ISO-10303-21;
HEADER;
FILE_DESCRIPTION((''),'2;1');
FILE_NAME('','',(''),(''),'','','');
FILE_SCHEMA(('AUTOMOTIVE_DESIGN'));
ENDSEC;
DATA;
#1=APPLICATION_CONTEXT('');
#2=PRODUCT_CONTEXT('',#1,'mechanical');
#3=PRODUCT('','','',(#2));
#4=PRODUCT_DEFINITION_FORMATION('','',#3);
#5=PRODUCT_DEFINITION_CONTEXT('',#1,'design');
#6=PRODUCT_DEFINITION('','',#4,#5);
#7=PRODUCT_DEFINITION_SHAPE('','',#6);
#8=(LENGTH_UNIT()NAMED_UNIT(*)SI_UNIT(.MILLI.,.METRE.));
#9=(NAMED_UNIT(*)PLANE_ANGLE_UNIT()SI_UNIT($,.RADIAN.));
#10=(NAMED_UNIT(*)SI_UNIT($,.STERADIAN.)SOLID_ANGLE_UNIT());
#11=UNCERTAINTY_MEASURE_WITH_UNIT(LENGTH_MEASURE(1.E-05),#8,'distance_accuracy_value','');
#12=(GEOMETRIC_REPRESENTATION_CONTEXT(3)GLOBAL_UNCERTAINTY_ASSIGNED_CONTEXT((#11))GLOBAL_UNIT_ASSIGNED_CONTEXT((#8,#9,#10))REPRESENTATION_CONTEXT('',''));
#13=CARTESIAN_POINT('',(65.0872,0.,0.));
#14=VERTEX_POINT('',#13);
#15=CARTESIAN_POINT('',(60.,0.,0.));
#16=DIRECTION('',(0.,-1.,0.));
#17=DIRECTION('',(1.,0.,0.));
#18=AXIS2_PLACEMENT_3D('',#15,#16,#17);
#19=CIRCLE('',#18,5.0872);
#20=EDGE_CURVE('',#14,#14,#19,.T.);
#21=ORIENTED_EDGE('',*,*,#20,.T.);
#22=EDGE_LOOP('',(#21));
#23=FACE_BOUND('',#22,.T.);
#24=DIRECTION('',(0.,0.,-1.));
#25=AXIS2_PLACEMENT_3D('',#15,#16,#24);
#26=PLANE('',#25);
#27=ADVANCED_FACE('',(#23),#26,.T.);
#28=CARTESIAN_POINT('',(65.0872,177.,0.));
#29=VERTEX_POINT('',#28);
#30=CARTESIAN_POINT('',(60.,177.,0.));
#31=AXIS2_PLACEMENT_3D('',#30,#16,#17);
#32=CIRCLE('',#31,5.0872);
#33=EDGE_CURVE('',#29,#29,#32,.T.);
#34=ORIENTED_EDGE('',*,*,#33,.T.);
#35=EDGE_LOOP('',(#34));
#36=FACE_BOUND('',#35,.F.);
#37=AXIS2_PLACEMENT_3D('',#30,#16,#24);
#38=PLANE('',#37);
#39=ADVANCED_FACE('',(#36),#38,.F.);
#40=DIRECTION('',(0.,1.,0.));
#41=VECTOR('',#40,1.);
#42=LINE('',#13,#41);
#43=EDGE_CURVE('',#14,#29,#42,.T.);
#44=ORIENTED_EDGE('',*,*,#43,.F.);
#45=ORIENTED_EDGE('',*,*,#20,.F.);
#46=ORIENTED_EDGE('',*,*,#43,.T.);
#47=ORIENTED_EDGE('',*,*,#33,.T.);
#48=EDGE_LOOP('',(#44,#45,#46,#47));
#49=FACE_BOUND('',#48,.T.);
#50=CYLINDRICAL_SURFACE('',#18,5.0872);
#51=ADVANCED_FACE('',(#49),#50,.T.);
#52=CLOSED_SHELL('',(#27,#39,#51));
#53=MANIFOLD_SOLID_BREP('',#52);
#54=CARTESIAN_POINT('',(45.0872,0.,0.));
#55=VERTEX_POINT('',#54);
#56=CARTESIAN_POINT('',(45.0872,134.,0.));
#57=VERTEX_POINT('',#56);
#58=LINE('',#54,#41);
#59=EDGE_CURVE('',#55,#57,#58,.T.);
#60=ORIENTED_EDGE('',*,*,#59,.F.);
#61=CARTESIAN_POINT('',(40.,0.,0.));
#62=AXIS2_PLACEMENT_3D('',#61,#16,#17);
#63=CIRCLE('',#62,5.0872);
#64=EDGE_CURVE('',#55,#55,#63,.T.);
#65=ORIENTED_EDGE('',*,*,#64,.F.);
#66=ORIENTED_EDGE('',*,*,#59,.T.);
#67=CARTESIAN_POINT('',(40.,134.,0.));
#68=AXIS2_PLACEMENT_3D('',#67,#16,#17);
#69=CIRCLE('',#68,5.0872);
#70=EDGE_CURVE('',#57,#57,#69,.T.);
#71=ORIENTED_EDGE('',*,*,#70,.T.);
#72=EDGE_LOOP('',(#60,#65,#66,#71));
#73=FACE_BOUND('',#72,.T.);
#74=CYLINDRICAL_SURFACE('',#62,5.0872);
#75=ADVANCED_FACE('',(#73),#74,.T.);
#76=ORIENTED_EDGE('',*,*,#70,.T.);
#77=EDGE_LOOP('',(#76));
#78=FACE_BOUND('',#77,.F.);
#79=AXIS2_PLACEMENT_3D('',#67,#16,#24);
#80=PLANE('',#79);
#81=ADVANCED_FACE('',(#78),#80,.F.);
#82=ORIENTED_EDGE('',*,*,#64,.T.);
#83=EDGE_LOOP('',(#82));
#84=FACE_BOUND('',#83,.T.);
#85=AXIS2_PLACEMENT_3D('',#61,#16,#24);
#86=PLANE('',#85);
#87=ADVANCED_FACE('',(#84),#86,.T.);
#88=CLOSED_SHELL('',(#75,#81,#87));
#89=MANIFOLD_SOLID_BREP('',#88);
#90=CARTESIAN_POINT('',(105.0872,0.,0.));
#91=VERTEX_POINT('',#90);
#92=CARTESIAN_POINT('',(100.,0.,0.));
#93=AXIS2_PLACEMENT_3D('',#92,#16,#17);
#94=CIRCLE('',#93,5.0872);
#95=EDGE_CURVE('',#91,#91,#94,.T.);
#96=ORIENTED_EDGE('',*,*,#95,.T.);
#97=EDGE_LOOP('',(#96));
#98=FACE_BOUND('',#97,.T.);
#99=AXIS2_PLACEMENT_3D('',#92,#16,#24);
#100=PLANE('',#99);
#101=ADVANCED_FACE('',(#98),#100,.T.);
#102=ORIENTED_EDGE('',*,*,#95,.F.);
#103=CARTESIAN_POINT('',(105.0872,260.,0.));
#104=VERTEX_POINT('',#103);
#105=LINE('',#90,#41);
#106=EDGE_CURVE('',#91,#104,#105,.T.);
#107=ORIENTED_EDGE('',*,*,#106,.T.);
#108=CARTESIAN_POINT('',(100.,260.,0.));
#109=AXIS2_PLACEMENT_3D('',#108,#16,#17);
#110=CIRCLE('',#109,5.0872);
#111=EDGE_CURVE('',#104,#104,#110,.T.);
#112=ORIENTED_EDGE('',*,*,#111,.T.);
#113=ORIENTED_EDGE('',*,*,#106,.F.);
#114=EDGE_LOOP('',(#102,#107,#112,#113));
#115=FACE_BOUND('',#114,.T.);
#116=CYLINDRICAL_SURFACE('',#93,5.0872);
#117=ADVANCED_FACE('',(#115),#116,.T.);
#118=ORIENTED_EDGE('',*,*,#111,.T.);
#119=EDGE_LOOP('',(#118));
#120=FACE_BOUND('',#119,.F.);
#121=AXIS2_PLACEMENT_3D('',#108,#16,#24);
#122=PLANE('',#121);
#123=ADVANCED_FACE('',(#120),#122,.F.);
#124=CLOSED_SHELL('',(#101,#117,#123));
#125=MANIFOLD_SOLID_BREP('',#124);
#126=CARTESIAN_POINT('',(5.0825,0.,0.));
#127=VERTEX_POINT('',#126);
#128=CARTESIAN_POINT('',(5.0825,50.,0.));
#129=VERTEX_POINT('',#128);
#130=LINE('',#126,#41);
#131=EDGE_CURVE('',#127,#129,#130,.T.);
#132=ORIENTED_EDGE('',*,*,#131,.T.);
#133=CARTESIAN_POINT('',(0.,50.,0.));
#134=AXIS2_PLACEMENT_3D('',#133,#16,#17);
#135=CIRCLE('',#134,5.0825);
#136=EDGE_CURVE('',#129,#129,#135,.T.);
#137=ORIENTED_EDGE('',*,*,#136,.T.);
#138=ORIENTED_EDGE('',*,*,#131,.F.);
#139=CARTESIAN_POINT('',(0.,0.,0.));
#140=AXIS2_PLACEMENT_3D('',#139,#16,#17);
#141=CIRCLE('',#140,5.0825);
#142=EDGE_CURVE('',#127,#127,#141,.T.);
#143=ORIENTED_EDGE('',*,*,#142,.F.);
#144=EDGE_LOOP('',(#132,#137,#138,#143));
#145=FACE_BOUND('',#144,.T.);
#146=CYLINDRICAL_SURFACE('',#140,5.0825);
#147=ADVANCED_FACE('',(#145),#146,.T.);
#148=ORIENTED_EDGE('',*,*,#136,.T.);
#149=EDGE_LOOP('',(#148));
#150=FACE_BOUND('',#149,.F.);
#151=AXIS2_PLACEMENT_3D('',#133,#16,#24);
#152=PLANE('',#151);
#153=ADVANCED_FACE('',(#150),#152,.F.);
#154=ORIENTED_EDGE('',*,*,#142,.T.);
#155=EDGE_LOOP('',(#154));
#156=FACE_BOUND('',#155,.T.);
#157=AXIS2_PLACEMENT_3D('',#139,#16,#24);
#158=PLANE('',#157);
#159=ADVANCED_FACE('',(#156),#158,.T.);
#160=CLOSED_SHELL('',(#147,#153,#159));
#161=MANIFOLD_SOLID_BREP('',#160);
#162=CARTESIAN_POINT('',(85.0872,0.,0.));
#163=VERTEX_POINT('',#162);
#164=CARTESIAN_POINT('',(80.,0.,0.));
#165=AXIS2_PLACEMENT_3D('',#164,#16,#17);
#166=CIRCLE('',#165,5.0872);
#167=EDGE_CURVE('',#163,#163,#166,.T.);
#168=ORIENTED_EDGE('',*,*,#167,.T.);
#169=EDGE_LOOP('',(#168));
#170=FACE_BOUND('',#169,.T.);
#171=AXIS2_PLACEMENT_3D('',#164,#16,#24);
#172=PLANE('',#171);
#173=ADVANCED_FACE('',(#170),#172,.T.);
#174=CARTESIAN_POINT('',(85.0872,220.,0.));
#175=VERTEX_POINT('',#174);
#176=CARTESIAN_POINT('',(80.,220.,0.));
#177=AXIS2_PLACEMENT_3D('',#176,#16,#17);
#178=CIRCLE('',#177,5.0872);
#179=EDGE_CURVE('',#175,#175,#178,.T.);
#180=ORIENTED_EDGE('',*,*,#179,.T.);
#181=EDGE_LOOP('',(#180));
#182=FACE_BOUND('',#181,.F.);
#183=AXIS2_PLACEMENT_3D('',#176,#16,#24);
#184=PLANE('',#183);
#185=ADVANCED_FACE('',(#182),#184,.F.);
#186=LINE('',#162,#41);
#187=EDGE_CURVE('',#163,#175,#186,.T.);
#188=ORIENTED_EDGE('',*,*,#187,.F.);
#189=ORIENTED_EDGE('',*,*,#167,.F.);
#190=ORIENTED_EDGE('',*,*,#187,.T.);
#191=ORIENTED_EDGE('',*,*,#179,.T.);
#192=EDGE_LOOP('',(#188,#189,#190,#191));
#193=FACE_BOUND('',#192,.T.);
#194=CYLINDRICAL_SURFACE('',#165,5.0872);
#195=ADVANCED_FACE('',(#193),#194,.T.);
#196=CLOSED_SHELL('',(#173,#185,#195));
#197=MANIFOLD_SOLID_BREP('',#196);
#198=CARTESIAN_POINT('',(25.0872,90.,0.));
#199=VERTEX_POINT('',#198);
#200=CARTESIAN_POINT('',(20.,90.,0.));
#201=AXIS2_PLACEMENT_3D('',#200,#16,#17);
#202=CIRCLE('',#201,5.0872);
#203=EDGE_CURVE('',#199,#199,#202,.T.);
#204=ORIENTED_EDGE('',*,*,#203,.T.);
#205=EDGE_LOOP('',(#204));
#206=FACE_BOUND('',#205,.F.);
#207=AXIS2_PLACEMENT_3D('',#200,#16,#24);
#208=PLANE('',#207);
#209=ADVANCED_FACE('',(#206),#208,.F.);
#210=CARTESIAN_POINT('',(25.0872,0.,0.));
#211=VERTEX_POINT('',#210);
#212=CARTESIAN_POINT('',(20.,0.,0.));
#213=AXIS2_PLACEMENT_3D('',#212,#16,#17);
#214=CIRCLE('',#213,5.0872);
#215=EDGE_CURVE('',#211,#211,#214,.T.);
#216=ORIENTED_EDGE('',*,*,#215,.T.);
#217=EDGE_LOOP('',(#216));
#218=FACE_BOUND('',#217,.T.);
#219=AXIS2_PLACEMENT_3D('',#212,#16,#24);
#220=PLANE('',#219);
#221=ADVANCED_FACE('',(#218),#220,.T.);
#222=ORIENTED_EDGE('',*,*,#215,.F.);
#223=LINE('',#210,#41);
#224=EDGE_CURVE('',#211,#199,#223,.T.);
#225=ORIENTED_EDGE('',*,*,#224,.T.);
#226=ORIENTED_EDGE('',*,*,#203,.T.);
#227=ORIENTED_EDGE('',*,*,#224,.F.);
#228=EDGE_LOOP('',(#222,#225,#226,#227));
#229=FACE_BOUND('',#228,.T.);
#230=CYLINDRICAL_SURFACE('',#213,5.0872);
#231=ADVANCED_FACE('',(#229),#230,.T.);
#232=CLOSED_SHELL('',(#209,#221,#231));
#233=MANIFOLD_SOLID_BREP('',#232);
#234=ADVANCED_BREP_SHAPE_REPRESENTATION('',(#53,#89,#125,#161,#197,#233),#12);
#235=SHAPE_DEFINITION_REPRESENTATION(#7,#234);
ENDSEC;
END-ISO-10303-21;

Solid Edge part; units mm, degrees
sketch "Sketch1" plane through (0, 0, 0) normal (0, -1, 0) x (1, 0, 0)
  circle A0 centre (0, 0) radius 5.0825
extrude "Protrusion1" add sketch "Sketch1" against normal blind 50
sketch "Sketch2" plane through (0, 0, 0) normal (0, -1, 0) x (1, 0, 0)
  circle A0 centre (20, 0) radius 5.0872
extrude "ExtrudedProtrusion_10" add sketch "Sketch2" against normal blind 90
sketch "Sketch3" plane through (0, 0, 0) normal (0, -1, 0) x (1, 0, 0)
  circle A0 centre (40, 0) radius 5.0872
extrude "ExtrudedProtrusion_11" add sketch "Sketch3" against normal blind 134
sketch "Sketch4" plane through (0, 0, 0) normal (0, -1, 0) x (1, 0, 0)
  circle A0 centre (60, 0) radius 5.0872
extrude "ExtrudedProtrusion_12" add sketch "Sketch4" against normal blind 177
sketch "Sketch5" plane through (0, 0, 0) normal (0, -1, 0) x (1, 0, 0)
  circle A0 centre (80, 0) radius 5.0872
extrude "ExtrudedProtrusion_13" add sketch "Sketch5" against normal blind 220
sketch "Sketch6" plane through (0, 0, 0) normal (0, -1, 0) x (1, 0, 0)
  circle A0 centre (100, 0) radius 5.0872
extrude "ExtrudedProtrusion_14" add sketch "Sketch6" against normal blind 260
